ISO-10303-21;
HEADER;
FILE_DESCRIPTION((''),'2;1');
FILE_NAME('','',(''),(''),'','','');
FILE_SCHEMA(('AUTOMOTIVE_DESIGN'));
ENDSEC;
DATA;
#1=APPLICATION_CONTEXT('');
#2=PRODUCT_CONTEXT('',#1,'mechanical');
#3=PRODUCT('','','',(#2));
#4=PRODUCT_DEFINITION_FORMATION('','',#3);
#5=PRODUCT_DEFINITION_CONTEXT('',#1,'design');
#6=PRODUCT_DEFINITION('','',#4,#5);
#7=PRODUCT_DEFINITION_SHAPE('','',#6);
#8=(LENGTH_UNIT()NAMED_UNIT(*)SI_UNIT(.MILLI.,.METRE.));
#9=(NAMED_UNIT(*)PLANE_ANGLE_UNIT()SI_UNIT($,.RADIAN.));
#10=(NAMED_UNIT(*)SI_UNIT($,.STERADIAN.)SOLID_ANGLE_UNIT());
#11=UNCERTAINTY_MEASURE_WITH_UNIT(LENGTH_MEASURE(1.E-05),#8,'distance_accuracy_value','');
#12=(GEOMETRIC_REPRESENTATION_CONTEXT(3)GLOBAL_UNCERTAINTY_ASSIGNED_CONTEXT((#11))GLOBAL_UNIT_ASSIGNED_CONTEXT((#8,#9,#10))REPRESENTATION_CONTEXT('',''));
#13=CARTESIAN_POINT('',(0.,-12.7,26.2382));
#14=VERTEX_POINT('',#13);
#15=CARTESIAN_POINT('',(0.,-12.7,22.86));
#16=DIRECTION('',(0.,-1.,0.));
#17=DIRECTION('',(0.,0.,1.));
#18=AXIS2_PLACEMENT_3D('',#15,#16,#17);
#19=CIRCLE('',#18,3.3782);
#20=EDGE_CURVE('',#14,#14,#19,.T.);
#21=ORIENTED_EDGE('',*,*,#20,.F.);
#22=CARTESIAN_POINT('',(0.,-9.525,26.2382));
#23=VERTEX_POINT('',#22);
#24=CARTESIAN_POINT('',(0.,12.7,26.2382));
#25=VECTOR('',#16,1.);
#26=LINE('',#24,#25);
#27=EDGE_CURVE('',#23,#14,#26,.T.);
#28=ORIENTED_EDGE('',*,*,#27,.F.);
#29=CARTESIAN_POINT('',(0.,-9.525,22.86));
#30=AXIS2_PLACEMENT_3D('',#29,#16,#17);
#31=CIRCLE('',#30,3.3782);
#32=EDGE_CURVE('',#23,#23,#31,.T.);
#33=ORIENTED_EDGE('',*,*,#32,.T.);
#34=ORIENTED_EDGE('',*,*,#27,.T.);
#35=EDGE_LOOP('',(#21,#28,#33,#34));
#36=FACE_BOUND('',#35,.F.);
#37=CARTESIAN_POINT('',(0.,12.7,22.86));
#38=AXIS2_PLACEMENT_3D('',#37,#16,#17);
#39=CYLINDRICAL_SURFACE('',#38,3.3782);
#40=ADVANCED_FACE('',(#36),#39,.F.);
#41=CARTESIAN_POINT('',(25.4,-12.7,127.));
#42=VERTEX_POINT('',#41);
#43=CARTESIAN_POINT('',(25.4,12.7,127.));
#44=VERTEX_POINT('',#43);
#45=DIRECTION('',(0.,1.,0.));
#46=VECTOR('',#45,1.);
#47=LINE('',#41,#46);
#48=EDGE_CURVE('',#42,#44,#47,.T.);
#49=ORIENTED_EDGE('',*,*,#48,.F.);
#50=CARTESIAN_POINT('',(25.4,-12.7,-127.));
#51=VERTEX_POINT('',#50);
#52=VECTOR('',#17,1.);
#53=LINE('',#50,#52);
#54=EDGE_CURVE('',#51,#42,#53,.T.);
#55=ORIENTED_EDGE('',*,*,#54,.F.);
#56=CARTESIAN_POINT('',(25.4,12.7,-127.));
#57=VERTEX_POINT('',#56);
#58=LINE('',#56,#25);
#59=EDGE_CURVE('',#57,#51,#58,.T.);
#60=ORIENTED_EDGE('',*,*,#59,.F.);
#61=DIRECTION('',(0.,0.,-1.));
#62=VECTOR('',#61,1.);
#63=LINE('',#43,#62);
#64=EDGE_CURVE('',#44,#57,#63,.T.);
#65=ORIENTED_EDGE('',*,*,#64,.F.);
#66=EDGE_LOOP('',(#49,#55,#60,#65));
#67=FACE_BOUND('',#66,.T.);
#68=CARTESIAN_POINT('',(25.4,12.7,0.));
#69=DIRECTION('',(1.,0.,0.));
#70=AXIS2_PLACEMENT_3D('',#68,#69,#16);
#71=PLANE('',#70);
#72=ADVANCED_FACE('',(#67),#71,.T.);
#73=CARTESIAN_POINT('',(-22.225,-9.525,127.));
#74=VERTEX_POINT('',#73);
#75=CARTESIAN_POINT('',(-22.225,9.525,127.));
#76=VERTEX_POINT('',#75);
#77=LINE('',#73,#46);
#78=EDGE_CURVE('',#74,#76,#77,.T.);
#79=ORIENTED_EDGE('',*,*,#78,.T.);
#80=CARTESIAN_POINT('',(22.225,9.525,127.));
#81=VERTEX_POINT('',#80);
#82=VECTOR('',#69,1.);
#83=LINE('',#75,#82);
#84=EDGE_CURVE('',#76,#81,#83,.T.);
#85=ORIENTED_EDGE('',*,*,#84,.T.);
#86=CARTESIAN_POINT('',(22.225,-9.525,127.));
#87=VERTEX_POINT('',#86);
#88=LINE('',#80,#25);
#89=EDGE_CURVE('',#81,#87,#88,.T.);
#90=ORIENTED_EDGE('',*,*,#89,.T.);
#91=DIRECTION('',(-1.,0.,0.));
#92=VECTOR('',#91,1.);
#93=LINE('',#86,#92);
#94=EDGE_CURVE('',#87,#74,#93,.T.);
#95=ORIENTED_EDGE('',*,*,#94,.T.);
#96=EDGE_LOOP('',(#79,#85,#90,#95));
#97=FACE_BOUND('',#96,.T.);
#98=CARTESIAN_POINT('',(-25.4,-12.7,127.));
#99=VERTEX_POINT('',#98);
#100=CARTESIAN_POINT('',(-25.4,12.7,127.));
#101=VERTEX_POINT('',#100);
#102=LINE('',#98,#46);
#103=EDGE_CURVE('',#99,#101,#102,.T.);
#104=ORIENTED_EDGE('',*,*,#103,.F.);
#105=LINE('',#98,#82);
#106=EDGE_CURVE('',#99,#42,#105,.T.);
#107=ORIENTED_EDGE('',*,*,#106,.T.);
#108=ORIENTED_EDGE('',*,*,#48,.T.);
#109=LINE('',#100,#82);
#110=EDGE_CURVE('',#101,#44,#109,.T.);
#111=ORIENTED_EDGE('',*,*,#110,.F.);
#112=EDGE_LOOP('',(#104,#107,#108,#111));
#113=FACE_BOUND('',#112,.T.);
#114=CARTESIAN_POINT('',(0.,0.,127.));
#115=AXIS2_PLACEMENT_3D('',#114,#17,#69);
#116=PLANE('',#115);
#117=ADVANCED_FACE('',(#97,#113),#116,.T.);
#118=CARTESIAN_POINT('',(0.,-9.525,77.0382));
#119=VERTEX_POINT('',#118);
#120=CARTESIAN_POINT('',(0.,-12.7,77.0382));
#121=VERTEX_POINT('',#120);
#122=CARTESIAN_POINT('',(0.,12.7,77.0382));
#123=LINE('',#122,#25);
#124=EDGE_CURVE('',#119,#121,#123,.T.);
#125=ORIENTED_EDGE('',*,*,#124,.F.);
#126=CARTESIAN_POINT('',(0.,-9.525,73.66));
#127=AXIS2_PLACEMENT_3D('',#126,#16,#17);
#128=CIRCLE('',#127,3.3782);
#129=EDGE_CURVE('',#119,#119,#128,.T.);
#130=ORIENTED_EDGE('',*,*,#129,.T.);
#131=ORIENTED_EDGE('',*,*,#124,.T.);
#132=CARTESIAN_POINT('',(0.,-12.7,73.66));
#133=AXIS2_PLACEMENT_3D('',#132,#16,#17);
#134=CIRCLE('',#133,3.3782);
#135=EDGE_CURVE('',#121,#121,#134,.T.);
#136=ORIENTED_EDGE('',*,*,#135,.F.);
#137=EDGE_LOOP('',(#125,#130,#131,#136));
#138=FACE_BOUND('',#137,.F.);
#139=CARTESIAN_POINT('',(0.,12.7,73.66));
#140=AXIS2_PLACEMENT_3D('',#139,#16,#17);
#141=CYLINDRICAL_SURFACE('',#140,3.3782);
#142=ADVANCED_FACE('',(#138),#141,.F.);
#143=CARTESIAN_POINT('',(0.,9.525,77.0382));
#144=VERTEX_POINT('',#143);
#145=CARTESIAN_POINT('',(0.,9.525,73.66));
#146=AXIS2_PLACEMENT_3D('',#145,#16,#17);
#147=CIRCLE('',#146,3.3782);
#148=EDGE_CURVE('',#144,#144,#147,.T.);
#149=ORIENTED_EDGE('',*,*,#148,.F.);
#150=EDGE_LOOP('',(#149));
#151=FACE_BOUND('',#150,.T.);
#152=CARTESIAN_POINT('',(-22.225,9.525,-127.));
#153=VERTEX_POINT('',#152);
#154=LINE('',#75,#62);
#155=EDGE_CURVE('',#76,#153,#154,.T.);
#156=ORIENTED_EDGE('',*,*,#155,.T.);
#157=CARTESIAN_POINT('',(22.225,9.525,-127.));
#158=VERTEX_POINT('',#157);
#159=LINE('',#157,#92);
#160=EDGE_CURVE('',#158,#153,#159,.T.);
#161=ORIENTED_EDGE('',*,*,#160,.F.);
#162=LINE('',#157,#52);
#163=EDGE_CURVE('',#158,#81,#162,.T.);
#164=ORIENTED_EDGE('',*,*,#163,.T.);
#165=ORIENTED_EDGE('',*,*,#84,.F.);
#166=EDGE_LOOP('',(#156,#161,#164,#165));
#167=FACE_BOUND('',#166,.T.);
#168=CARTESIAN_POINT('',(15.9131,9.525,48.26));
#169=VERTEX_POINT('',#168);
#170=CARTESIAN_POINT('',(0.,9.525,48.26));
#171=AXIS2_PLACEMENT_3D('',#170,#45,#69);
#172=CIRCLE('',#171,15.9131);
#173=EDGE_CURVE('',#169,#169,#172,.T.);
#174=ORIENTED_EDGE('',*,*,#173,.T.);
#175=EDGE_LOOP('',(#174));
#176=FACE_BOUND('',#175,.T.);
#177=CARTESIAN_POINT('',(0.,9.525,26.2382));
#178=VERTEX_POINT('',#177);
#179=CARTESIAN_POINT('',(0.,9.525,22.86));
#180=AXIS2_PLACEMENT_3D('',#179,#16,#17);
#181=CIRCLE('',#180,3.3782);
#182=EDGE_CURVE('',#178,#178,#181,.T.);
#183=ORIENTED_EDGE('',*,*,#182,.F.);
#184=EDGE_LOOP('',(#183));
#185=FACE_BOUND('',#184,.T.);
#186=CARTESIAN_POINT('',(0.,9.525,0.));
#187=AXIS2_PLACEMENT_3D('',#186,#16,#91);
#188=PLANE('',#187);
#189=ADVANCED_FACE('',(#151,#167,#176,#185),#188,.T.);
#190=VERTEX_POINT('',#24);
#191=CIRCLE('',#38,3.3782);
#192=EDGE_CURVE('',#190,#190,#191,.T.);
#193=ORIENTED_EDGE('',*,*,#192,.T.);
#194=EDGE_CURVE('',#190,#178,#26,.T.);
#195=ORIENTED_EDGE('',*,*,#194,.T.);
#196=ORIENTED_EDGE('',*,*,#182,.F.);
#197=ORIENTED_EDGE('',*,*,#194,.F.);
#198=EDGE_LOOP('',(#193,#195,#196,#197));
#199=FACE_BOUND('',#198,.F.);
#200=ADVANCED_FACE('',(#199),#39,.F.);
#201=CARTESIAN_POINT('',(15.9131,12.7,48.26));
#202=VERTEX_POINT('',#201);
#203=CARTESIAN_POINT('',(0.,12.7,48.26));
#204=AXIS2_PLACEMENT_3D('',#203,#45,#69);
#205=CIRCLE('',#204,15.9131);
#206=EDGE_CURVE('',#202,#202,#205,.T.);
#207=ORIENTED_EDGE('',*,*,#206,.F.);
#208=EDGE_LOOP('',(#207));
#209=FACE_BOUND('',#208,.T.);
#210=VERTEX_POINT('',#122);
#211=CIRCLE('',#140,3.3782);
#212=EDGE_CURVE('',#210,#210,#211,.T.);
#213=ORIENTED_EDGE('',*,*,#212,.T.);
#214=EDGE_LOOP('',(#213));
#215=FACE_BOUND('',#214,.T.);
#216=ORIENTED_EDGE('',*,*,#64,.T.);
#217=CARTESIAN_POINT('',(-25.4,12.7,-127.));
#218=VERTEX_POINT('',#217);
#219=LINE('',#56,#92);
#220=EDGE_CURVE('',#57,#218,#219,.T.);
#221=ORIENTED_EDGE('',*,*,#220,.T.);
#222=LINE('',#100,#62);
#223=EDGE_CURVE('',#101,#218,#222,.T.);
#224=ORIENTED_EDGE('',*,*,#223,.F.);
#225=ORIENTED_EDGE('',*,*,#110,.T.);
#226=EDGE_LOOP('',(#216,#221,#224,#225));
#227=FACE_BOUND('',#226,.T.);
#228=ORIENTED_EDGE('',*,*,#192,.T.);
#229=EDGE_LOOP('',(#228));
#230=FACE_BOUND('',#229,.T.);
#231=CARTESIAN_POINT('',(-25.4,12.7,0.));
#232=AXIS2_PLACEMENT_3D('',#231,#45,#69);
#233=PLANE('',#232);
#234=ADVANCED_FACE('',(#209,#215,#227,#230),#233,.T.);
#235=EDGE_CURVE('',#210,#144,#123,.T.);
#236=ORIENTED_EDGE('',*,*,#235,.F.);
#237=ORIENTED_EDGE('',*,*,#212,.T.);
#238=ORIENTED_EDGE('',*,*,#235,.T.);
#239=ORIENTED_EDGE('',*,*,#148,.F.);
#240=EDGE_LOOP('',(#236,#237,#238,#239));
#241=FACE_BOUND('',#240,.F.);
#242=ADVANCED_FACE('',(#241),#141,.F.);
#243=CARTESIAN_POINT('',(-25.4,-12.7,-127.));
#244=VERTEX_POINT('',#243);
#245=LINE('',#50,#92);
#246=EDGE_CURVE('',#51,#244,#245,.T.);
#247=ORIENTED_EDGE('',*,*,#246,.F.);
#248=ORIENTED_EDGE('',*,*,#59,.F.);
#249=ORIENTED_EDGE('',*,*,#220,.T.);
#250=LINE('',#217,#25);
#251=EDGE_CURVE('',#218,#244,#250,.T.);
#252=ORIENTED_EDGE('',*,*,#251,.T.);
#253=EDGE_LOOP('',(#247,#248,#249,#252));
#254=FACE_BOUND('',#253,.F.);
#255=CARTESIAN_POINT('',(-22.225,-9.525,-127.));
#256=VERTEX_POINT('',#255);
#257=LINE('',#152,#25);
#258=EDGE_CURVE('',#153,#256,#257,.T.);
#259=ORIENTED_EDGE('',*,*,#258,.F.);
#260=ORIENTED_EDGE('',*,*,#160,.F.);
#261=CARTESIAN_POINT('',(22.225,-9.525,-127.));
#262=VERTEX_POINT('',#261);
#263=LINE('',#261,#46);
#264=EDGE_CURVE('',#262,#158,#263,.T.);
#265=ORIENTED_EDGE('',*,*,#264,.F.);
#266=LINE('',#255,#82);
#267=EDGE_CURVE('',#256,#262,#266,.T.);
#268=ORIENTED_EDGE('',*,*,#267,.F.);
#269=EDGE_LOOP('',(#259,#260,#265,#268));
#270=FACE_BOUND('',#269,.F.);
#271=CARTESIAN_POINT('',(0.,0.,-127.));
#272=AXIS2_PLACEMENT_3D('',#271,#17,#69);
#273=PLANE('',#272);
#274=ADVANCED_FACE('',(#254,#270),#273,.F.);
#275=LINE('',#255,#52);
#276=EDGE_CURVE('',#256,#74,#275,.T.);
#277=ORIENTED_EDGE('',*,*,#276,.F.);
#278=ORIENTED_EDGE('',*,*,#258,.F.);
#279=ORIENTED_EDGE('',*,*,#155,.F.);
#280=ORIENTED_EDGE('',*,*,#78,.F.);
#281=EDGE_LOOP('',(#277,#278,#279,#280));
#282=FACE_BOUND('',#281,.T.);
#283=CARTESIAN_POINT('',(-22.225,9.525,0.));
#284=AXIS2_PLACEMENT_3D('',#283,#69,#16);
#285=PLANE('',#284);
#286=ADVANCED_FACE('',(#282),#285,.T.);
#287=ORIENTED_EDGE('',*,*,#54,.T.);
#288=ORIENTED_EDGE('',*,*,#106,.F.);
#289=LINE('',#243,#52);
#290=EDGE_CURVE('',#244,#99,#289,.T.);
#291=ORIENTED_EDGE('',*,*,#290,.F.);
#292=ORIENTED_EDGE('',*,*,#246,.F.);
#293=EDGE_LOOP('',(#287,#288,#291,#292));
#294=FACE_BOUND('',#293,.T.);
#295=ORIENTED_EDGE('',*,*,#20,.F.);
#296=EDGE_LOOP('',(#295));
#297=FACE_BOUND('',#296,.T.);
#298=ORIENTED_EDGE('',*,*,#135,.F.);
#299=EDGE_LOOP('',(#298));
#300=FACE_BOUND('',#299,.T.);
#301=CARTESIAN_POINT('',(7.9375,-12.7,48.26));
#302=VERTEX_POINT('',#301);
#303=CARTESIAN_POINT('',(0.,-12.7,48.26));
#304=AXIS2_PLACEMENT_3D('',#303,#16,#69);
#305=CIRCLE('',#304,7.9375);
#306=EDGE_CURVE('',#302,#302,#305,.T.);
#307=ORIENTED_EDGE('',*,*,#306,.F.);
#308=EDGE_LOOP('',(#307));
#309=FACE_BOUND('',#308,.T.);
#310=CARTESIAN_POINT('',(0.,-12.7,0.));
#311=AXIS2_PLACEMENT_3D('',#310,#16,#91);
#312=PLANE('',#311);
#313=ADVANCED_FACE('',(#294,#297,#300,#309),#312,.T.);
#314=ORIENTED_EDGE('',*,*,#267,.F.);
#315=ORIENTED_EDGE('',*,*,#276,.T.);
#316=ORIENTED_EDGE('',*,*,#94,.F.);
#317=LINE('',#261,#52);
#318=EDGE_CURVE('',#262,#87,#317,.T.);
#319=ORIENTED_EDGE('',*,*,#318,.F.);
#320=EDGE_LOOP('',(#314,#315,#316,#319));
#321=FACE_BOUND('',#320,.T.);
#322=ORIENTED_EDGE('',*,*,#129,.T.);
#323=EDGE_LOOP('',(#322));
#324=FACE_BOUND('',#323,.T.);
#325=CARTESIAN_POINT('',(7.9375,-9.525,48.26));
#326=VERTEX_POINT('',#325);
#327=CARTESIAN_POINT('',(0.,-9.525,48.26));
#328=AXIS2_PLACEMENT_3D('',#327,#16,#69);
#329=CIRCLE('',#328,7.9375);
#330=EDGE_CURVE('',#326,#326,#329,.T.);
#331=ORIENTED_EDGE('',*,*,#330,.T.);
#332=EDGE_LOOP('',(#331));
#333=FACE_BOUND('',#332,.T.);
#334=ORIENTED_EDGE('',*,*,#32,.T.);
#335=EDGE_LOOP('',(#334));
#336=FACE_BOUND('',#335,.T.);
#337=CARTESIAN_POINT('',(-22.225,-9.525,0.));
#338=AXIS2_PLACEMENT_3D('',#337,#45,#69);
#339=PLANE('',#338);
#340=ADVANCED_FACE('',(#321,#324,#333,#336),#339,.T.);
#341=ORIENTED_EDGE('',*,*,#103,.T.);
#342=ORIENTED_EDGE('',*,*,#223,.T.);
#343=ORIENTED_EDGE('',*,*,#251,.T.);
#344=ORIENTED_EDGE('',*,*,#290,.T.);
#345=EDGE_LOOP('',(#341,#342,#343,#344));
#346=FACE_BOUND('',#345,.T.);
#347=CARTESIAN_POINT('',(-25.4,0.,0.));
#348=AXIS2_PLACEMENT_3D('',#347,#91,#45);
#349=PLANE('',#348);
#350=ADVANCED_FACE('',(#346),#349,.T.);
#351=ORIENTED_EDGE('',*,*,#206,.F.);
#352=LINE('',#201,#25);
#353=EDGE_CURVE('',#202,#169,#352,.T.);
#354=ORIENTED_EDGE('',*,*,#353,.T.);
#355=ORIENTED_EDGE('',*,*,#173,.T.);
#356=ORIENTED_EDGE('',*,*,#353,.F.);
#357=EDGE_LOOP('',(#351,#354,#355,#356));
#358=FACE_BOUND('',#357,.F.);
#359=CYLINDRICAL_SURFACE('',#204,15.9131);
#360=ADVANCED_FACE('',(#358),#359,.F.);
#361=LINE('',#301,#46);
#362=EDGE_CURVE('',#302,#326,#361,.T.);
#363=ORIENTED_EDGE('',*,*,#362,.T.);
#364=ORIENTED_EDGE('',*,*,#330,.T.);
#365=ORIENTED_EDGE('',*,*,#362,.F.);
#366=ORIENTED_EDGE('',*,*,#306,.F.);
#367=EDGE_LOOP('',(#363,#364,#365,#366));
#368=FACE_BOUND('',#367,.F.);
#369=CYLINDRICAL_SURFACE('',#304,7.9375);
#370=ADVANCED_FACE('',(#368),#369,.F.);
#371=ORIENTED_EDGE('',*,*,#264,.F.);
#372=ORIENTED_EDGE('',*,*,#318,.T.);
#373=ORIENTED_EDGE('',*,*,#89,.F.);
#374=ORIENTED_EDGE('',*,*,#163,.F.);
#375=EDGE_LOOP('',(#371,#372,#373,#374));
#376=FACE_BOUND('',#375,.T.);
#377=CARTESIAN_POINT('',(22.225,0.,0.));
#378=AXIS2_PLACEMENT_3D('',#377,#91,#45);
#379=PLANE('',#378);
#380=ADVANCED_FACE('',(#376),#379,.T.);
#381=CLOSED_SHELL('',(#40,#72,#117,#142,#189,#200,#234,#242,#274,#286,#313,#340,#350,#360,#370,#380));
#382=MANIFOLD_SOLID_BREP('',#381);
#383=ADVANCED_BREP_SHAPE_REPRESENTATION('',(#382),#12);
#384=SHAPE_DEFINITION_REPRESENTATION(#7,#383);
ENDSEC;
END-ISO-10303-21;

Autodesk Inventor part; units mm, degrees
ref_plane "YZ Plane" through (0, 0, 0) normal (1, 0, 0) x (0, 1, 0)
ref_plane "XZ Plane" through (0, 0, 0) normal (0, 1, 0) x (-1, 0, 0)
ref_plane "XY Plane" through (0, 0, 0) normal (0, 0, 1) x (1, 0, 0)
sketch "Sketch1" plane through (0, 0, 0) normal (0, 0, 1) x (1, 0, 0)
  line L0 (-35.56, 0) -> (35.56, 0) projected
  line L1 (0, -17.78) -> (0, 17.78) projected
  line L2 (-25.4, 12.7) -> (25.4, 12.7)
  line L3 (25.4, 12.7) -> (25.4, -12.7)
  line L4 (25.4, -12.7) -> (-25.4, -12.7)
  line L5 (-25.4, -12.7) -> (-25.4, 12.7)
  line L6 (22.225, 9.525) -> (-22.225, 9.525)
  line L7 (-22.225, 9.525) -> (-22.225, -9.525)
  line L8 (-22.225, -9.525) -> (22.225, -9.525)
  line L9 (22.225, -9.525) -> (22.225, 9.525)
  point P0 (0, 0)
  point P1 (-25.4, 0)
  point P2 (0, 12.7)
  dimension "d0" = 25.4
  dimension "d1" = 3.175
  dimension "d7" = 50.8
extrude "Extrusion1" add sketch "Sketch1" along normal mid plane 254 contours L5 L2 L1 L6 L7 L0 | L0 L7 L8 L1 L4 L5 | L1 L8 L9 L0 L3 L4 | L2 L3 L0 L9 L6 L1
sketch "Sketch3" plane through (-25.4, 12.7, 127) normal (0, 1, 0) x (1, 0, 0)
  line L0 (0, 0) -> (50.8, 0) projected
  circle A0 centre (25.4, 78.74) radius 15.9131
  point P0 (25.4, 127)
  dimension "d8" = 31.8262
  dimension "d9" = 78.74
extrude "Extrusion3" cut sketch "Sketch3" against normal up to surface (3.175 mm away)
sketch "Sketch4" plane through (-25.4, -12.7, 127) normal (0, -1, 0) x (1, 0, 0)
  line L0 (50.8, 0) -> (0, 0) projected
  circle A0 centre (25.4, -78.74) radius 7.9375
  point P0 (25.4, -127)
  dimension "d12" = 15.875
  dimension "d13" = 78.74
extrude "Extrusion4" cut sketch "Sketch4" against normal up to surface (3.175 mm away)
sketch "Sketch5" plane through (-25.4, 12.7, 127) normal (0, 1, 0) x (1, 0, 0)
  circle A0 centre (25.4, 78.74) radius 15.9131 projected
  point P0 (25.4, 127)
  point P1 (25.4, 104.14)
  point P2 (25.4, 53.34)
  dimension "d16" = 25.4
  dimension "d17" = 25.4
hole "Hole1" at (0, 12.7, 22.86) at (0, 12.7, 73.66) direction (0, -1, 0) diameter 6.7564 end through all clearance for "Flat Head Machine Screw (82)" size "1/4" standard "Ansi Unified Screw Threads"
equation "\"d17\" = d16"
properties part number "tubing_template_0.125" material "Aluminum-6061"
